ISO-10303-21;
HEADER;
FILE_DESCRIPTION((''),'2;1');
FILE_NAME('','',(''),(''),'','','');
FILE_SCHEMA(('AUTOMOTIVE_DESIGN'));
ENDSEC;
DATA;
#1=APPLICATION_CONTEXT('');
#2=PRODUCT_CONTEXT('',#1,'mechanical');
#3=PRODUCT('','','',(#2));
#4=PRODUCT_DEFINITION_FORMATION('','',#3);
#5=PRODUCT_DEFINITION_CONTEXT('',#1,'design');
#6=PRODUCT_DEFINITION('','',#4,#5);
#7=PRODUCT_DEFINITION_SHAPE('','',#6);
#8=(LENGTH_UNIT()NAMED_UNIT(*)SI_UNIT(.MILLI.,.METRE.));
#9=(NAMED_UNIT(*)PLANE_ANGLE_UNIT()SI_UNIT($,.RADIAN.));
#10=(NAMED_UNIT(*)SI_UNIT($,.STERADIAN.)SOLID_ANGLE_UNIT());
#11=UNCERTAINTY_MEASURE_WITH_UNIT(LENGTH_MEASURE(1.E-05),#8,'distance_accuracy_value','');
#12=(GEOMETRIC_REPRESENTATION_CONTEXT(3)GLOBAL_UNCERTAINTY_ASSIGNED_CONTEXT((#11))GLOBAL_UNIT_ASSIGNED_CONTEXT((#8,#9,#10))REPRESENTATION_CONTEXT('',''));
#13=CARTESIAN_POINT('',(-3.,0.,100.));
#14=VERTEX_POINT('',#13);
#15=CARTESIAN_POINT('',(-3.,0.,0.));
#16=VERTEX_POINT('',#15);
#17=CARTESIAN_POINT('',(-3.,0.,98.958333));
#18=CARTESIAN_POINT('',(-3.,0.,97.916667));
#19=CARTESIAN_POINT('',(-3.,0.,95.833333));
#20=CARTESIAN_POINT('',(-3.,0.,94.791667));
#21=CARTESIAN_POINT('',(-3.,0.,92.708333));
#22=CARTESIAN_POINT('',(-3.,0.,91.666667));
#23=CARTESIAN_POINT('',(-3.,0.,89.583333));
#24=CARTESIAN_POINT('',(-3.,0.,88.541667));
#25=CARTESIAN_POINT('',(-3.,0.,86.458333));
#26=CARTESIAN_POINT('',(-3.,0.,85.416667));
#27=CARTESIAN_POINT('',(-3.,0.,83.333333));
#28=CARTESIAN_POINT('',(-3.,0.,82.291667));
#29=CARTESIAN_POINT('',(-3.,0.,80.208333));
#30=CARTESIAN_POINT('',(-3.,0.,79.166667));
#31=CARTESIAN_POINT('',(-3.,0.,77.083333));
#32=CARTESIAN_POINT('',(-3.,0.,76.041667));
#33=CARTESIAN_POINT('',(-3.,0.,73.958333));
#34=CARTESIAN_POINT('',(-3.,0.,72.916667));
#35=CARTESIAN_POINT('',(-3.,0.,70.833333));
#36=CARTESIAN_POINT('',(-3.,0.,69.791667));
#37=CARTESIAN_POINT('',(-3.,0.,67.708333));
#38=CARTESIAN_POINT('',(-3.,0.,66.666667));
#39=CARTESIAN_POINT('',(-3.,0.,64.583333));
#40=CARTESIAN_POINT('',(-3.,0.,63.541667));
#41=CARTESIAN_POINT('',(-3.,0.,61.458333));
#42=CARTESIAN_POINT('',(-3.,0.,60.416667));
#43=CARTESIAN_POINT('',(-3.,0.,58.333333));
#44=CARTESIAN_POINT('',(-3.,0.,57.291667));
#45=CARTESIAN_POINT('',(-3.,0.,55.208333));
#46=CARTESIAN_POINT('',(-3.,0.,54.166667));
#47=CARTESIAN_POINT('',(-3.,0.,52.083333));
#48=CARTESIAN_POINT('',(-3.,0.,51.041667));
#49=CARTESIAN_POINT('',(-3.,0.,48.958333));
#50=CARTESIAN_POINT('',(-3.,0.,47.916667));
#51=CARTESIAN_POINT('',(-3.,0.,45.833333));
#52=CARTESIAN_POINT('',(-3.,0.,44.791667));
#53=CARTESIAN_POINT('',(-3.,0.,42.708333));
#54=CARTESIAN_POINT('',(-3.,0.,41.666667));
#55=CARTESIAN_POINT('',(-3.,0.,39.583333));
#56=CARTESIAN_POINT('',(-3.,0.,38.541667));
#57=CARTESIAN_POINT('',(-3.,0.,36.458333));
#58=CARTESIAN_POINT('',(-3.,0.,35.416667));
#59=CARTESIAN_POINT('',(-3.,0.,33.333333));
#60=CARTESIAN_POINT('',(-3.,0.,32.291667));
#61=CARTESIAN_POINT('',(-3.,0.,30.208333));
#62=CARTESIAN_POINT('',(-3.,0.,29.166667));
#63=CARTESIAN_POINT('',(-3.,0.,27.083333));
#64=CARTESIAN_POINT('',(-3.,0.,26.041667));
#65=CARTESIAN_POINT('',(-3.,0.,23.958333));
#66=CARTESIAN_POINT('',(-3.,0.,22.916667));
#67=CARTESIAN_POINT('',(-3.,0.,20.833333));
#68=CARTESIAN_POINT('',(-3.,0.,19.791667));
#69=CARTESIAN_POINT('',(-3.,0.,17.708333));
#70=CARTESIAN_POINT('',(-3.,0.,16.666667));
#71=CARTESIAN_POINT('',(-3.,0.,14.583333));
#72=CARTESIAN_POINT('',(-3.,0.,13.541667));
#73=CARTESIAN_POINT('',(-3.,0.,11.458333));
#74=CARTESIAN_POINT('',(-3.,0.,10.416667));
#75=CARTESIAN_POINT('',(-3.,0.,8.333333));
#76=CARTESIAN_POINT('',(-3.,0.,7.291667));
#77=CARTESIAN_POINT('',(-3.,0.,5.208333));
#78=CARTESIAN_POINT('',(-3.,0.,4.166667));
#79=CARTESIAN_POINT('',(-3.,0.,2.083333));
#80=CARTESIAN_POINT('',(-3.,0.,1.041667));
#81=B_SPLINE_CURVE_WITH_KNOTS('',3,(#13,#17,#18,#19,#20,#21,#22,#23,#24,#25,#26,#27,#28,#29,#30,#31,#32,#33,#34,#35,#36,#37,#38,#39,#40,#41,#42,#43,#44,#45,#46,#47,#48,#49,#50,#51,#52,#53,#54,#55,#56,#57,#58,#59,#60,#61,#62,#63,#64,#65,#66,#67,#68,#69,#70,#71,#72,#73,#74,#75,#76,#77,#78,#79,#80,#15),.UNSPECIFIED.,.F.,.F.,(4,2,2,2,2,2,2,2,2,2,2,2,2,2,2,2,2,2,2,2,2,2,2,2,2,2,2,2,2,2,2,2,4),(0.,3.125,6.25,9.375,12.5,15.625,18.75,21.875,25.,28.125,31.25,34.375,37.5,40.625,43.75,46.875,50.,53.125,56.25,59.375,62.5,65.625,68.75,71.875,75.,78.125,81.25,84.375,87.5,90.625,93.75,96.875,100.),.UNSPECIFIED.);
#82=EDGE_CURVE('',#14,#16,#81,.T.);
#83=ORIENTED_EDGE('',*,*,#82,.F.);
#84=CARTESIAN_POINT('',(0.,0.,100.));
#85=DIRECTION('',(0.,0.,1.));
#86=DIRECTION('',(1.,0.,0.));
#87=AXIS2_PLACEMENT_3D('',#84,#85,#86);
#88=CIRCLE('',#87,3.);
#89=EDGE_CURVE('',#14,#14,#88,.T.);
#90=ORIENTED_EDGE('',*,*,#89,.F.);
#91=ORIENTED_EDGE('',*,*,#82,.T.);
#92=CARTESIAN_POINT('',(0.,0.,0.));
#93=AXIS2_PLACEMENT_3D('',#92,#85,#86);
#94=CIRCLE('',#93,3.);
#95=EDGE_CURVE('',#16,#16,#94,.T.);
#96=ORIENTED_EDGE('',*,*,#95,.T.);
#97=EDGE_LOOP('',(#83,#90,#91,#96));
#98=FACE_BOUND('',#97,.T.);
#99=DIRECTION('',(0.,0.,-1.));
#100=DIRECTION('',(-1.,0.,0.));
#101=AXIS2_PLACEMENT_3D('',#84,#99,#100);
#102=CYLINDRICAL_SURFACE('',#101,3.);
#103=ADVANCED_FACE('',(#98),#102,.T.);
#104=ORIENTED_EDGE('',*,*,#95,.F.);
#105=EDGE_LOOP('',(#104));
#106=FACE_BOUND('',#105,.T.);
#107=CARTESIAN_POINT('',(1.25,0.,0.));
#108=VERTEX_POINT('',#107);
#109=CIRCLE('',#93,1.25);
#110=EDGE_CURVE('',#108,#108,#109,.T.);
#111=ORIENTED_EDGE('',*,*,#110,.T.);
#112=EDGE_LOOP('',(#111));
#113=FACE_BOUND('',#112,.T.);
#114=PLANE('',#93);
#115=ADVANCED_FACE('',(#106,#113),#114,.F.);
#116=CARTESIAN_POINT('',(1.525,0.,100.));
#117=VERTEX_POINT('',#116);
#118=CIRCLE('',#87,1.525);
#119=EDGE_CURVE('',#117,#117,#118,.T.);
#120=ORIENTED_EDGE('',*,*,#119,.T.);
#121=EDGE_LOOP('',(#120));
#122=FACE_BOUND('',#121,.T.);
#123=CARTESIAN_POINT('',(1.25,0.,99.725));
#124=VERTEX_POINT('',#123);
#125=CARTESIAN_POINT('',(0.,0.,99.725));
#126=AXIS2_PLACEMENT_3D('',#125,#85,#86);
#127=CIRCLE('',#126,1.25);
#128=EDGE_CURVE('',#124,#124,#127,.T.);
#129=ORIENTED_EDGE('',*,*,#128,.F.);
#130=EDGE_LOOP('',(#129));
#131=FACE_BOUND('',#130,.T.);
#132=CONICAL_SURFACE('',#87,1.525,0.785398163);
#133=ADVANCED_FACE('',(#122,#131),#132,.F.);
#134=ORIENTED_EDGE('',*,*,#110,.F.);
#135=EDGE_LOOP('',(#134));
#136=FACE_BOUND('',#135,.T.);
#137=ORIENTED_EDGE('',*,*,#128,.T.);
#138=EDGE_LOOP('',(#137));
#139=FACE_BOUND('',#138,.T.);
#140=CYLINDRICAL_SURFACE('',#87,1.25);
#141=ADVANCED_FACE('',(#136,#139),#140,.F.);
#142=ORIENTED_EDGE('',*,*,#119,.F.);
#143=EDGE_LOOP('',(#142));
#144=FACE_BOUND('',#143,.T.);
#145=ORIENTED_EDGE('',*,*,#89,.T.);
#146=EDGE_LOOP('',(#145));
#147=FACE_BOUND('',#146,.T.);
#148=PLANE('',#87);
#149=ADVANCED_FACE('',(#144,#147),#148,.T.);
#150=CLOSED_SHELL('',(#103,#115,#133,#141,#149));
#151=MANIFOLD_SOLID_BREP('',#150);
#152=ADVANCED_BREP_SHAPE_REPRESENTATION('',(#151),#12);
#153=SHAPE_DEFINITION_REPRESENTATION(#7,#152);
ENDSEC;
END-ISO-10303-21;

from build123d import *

# Parameters (mm, degrees)
SKETCH_1_R                   = 3
EXTRUDE_1_DEPTH              = 100
HOLE_WIZARD_M3_1_D           = 2.5
HOLE_WIZARD_M3_1_CSINK_D     = 3.05
HOLE_WIZARD_M3_1_CSINK_ANGLE = 90


with BuildPart() as part:
    # 草图1 → 凸台-拉伸1 (new body)
    with BuildSketch(Plane.XY):
        with Locations(Location((0, 0, 0), (0, 0, 180))):
            Circle(SKETCH_1_R)
    extrude(amount=EXTRUDE_1_DEPTH)

    # M3 螺纹孔1 (through all)
    with Locations(Plane.XY.offset(100)):
        with Locations((0, 0)):
            CounterSinkHole(HOLE_WIZARD_M3_1_D / 2, HOLE_WIZARD_M3_1_CSINK_D / 2, counter_sink_angle=HOLE_WIZARD_M3_1_CSINK_ANGLE)


solid = part.part
